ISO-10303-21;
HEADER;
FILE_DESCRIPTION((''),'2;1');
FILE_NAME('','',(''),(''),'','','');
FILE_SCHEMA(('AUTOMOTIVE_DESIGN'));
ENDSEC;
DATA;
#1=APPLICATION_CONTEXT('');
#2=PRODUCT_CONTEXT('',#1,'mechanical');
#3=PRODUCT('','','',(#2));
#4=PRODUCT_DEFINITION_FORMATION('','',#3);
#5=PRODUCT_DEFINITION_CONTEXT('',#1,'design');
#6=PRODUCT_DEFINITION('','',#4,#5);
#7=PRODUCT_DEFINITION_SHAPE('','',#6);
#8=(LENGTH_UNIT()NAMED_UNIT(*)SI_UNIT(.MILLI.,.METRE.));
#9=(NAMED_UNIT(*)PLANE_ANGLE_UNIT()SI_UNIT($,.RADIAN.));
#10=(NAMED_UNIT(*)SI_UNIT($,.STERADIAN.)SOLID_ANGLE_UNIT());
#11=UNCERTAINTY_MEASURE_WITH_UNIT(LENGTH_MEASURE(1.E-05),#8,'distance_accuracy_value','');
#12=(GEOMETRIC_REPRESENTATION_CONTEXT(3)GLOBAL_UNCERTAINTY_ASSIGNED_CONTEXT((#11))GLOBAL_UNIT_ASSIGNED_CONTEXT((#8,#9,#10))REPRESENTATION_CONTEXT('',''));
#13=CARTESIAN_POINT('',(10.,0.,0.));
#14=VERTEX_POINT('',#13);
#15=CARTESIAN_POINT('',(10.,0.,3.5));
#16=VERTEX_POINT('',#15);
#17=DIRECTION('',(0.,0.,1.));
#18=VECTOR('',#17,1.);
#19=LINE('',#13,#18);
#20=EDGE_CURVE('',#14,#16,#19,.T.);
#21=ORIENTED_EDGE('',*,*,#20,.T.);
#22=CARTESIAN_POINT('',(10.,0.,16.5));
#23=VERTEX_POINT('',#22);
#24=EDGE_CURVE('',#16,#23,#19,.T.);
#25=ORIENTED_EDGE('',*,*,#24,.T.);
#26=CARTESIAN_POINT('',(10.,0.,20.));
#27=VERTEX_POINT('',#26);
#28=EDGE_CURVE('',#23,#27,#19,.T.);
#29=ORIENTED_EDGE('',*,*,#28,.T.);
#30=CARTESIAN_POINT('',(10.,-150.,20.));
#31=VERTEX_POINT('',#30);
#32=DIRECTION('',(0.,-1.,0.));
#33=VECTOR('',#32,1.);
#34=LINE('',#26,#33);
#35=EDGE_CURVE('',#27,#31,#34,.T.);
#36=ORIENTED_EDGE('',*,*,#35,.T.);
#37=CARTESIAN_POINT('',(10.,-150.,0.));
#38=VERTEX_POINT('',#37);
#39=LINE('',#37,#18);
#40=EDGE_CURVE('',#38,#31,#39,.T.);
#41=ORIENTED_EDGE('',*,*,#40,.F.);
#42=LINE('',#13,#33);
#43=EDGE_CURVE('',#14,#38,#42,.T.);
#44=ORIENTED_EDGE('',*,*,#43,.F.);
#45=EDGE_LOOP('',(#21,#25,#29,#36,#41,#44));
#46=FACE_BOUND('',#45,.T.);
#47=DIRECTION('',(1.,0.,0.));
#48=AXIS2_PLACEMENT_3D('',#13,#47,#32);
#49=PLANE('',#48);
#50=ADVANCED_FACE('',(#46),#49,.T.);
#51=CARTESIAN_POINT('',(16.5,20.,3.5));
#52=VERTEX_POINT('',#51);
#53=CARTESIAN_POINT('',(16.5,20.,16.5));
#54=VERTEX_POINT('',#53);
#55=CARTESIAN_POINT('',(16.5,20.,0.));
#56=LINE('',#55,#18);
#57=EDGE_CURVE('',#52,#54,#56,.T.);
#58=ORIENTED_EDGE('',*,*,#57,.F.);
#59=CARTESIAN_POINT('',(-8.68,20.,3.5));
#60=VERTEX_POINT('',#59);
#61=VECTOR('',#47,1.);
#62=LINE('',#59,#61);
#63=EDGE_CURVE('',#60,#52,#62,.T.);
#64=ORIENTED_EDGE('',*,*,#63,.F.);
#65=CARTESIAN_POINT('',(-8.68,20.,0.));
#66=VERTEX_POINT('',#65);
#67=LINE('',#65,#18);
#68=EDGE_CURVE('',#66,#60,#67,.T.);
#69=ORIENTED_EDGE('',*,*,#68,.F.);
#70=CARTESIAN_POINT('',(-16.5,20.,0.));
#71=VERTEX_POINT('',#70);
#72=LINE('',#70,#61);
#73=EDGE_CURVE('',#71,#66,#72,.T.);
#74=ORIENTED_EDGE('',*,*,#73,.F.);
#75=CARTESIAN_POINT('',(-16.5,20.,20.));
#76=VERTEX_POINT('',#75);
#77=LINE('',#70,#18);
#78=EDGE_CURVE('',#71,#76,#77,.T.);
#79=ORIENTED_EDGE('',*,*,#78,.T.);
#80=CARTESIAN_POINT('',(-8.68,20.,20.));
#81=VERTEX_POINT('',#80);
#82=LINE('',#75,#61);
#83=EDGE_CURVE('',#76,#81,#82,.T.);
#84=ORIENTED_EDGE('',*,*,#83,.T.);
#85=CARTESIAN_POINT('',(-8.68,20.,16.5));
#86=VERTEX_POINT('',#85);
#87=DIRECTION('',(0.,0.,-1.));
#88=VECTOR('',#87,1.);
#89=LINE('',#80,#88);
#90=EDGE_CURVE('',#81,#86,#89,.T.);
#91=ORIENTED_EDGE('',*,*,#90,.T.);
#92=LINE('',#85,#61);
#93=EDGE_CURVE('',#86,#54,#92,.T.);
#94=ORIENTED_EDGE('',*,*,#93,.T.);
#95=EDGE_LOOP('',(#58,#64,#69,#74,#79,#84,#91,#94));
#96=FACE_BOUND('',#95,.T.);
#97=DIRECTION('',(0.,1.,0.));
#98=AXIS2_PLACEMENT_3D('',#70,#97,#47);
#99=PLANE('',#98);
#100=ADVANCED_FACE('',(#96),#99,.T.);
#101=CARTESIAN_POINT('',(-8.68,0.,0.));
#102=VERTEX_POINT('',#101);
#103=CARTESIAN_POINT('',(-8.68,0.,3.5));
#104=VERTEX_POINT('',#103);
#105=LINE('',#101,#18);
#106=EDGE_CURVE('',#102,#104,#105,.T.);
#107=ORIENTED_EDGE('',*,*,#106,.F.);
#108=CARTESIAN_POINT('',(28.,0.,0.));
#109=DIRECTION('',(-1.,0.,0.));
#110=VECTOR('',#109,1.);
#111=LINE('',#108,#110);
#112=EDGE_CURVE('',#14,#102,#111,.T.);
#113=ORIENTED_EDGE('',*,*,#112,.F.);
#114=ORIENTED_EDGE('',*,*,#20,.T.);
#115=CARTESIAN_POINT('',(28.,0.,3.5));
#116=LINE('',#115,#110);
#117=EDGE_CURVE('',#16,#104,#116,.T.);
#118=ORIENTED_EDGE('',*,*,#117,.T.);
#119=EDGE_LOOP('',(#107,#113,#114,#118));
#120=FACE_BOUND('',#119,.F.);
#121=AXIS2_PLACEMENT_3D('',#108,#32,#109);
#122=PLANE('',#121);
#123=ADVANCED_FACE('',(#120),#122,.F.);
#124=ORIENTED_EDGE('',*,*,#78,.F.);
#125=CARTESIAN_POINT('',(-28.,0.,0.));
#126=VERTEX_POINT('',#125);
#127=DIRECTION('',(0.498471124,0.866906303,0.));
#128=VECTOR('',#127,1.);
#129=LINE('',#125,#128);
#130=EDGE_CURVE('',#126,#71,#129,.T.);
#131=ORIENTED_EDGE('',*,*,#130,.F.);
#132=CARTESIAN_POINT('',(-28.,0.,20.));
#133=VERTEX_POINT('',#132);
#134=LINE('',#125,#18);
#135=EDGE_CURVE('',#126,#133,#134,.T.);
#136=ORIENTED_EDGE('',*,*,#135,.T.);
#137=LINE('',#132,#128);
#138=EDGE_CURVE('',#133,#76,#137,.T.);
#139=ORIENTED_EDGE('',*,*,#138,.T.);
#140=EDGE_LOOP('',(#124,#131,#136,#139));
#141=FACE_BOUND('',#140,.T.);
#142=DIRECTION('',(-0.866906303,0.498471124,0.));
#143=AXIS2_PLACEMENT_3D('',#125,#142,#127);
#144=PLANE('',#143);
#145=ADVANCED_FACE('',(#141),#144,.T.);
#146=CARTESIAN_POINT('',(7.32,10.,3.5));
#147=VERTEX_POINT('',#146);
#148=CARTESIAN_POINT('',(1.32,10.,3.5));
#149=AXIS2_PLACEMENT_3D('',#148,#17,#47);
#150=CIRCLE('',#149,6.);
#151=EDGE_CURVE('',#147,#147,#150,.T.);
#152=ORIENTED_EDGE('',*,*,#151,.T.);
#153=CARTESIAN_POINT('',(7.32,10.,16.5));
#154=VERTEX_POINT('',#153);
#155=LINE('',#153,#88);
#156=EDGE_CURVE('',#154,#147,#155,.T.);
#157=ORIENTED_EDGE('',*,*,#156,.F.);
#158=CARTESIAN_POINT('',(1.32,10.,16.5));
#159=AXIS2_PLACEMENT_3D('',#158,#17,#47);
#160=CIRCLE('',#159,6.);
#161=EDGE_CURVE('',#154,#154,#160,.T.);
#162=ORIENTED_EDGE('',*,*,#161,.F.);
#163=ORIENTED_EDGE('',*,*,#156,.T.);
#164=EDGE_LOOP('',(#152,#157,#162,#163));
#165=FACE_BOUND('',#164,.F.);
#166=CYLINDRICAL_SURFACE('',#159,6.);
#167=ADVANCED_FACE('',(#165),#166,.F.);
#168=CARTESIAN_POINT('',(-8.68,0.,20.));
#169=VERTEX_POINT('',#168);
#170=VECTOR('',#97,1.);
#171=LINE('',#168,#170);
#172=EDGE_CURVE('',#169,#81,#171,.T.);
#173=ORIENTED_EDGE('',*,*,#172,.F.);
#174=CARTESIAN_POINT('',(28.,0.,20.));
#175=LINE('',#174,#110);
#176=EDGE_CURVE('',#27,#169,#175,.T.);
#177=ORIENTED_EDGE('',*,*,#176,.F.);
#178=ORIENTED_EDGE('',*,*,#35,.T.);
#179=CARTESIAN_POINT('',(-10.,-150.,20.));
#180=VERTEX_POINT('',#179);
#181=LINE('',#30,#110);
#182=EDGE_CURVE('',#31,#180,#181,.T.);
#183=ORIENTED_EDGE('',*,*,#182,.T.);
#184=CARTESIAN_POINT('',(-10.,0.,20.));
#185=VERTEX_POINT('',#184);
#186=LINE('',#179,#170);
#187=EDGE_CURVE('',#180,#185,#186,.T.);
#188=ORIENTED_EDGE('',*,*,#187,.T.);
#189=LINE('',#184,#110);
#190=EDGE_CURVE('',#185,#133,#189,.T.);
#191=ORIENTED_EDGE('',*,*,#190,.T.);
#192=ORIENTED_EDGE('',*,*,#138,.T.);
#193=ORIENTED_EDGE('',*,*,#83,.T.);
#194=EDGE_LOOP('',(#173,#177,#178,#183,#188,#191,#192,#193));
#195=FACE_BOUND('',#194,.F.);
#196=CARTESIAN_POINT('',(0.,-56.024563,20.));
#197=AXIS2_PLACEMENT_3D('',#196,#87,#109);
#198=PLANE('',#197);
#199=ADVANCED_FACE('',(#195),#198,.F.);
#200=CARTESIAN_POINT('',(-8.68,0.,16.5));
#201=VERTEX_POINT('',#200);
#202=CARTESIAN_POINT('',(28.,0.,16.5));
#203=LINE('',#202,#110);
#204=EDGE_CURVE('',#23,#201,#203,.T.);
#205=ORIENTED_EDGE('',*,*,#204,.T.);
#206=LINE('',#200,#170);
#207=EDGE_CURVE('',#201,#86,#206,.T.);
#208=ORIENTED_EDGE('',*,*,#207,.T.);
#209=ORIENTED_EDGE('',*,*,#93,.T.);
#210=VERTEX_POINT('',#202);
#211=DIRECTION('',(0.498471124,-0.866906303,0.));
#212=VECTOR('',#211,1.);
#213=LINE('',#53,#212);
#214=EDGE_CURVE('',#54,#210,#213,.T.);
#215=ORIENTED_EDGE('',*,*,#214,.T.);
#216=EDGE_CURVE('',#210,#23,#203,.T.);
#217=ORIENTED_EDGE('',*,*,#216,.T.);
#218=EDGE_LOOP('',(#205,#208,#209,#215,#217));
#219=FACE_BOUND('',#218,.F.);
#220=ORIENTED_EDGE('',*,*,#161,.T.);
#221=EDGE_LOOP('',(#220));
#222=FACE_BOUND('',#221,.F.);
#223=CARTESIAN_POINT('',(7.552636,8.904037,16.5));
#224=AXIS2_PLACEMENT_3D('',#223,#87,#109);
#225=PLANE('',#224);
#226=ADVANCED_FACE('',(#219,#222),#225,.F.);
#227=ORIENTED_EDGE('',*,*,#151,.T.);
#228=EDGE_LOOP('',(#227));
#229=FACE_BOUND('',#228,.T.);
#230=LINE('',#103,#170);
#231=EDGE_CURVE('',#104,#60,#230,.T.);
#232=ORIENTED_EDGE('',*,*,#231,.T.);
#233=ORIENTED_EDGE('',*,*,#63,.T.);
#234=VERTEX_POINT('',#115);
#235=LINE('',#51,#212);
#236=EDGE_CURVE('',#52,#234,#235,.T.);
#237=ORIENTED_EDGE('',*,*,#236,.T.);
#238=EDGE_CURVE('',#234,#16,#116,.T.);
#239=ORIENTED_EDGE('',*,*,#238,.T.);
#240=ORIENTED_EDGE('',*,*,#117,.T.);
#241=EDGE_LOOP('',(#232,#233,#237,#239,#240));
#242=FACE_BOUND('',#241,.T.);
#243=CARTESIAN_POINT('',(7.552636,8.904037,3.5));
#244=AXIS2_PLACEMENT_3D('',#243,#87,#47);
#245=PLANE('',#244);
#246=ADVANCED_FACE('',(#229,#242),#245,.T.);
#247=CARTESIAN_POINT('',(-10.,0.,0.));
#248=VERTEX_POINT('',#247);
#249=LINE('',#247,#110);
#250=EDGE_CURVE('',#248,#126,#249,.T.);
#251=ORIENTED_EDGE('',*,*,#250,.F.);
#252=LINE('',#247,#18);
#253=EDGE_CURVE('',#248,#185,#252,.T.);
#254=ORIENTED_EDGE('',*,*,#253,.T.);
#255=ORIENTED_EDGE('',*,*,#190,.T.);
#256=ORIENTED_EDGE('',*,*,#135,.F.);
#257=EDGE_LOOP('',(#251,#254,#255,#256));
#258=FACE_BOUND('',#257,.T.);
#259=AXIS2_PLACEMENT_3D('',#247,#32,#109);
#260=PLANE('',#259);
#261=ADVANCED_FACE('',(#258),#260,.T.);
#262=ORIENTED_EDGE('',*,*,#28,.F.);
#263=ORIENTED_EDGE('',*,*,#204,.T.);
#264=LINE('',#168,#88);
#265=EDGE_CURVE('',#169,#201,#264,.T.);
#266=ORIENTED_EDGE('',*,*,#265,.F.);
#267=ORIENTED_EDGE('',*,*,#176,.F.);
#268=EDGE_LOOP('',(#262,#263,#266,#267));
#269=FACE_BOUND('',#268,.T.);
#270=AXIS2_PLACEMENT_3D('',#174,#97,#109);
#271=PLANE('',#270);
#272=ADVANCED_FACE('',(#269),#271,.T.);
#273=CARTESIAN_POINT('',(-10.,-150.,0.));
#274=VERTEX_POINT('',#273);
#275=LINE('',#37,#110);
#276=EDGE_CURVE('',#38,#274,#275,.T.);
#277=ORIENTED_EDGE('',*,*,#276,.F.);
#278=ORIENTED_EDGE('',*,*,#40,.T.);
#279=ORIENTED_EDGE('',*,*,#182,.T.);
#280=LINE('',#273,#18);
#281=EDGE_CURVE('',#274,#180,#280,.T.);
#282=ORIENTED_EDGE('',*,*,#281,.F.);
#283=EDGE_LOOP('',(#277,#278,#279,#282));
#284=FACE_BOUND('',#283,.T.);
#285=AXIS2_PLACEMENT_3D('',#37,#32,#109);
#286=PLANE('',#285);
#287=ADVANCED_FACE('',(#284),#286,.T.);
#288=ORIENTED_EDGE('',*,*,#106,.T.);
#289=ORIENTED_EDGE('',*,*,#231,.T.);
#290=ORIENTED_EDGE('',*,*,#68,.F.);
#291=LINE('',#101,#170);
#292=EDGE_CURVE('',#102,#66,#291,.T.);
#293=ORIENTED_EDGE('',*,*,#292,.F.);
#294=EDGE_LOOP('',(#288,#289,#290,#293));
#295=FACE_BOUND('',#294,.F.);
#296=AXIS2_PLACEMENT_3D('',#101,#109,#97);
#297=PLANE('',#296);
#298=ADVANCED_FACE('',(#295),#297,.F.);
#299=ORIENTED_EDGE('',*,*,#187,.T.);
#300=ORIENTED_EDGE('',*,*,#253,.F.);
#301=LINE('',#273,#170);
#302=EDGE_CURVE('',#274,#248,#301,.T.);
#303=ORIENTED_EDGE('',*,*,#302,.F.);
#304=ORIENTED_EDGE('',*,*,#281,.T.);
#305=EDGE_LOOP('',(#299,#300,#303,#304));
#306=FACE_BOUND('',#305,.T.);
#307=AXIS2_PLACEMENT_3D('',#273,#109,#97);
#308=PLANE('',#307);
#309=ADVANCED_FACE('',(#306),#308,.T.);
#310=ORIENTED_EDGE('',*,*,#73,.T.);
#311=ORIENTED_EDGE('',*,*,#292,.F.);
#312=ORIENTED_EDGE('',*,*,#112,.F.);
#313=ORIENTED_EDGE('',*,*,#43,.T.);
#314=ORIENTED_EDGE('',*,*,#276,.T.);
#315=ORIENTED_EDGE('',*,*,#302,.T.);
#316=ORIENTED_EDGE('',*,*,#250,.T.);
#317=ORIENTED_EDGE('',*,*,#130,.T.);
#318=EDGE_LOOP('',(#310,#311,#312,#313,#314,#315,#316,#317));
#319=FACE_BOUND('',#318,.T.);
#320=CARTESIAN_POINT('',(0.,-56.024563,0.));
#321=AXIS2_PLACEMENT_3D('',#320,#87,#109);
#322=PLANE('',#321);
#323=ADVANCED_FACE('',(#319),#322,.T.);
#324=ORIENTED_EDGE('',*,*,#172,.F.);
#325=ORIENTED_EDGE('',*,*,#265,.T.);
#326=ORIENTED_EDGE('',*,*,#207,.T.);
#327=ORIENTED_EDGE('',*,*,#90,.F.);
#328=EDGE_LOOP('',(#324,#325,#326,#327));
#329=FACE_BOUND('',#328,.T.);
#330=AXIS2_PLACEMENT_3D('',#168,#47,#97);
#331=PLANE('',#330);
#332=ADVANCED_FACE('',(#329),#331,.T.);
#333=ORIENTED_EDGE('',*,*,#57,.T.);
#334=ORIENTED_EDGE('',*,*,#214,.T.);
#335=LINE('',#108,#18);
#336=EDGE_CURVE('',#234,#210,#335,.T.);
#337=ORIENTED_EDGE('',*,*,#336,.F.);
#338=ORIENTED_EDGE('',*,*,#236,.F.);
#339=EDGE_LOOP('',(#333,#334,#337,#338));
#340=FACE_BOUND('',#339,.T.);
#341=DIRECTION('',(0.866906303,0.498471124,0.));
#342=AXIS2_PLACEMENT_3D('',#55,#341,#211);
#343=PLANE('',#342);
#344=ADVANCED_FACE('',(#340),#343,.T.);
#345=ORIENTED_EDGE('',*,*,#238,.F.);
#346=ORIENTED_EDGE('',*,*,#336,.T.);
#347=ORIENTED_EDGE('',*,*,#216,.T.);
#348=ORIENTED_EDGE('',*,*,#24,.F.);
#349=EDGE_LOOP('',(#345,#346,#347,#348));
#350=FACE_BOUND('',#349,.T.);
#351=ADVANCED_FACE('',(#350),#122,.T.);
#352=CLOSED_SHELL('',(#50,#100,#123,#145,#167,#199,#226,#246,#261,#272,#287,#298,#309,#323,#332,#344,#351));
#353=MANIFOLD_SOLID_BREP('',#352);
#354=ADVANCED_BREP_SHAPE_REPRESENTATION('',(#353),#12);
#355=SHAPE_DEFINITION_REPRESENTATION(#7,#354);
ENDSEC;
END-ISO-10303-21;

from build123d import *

# Parameters (mm, degrees)
PAD_DEPTH       = 20
POCKET_DEPTH    = 3.5
POCKET001_DEPTH = 3.5
SKETCH004_R     = 6
POCKET002_DEPTH = 16.501


with BuildPart() as part:
    # Sketch001 → Pad (new body)
    with BuildSketch(Plane.XY):
        Polygon((-16.5, 20), (16.5, 20), (28, 0), (10, 0), (10, -150), (-10, -150), (-10, 0), (-28, 0), align=None)
    extrude(amount=PAD_DEPTH)

    # Sketch002 (on Face10 of Pad) → Pocket (cut)
    with BuildSketch(Plane.XY.offset(20)):
        Polygon((28, 0), (-8.68, 0), (-8.68, 20), (16.5, 20), align=None)
    extrude(amount=-POCKET_DEPTH, mode=Mode.SUBTRACT)

    # Sketch003 (on Face2 of Pocket) → Pocket001 (cut)
    with BuildSketch(Plane(origin=(0, 0, 0), x_dir=(1, 0, 0), z_dir=(0, 0, -1))):
        Polygon((28, 0), (-8.68, 0), (-8.68, -20), (16.5, -20), align=None)
    extrude(amount=-POCKET001_DEPTH, mode=Mode.SUBTRACT)

    # Sketch004 (on Face6 of Pocket001) → Pocket002 (cut, through all)
    with BuildSketch(Plane.XY.offset(16.5)):
        with Locations((1.32, 10)):
            Circle(SKETCH004_R)
    extrude(amount=-POCKET002_DEPTH, mode=Mode.SUBTRACT)


solid = part.part
